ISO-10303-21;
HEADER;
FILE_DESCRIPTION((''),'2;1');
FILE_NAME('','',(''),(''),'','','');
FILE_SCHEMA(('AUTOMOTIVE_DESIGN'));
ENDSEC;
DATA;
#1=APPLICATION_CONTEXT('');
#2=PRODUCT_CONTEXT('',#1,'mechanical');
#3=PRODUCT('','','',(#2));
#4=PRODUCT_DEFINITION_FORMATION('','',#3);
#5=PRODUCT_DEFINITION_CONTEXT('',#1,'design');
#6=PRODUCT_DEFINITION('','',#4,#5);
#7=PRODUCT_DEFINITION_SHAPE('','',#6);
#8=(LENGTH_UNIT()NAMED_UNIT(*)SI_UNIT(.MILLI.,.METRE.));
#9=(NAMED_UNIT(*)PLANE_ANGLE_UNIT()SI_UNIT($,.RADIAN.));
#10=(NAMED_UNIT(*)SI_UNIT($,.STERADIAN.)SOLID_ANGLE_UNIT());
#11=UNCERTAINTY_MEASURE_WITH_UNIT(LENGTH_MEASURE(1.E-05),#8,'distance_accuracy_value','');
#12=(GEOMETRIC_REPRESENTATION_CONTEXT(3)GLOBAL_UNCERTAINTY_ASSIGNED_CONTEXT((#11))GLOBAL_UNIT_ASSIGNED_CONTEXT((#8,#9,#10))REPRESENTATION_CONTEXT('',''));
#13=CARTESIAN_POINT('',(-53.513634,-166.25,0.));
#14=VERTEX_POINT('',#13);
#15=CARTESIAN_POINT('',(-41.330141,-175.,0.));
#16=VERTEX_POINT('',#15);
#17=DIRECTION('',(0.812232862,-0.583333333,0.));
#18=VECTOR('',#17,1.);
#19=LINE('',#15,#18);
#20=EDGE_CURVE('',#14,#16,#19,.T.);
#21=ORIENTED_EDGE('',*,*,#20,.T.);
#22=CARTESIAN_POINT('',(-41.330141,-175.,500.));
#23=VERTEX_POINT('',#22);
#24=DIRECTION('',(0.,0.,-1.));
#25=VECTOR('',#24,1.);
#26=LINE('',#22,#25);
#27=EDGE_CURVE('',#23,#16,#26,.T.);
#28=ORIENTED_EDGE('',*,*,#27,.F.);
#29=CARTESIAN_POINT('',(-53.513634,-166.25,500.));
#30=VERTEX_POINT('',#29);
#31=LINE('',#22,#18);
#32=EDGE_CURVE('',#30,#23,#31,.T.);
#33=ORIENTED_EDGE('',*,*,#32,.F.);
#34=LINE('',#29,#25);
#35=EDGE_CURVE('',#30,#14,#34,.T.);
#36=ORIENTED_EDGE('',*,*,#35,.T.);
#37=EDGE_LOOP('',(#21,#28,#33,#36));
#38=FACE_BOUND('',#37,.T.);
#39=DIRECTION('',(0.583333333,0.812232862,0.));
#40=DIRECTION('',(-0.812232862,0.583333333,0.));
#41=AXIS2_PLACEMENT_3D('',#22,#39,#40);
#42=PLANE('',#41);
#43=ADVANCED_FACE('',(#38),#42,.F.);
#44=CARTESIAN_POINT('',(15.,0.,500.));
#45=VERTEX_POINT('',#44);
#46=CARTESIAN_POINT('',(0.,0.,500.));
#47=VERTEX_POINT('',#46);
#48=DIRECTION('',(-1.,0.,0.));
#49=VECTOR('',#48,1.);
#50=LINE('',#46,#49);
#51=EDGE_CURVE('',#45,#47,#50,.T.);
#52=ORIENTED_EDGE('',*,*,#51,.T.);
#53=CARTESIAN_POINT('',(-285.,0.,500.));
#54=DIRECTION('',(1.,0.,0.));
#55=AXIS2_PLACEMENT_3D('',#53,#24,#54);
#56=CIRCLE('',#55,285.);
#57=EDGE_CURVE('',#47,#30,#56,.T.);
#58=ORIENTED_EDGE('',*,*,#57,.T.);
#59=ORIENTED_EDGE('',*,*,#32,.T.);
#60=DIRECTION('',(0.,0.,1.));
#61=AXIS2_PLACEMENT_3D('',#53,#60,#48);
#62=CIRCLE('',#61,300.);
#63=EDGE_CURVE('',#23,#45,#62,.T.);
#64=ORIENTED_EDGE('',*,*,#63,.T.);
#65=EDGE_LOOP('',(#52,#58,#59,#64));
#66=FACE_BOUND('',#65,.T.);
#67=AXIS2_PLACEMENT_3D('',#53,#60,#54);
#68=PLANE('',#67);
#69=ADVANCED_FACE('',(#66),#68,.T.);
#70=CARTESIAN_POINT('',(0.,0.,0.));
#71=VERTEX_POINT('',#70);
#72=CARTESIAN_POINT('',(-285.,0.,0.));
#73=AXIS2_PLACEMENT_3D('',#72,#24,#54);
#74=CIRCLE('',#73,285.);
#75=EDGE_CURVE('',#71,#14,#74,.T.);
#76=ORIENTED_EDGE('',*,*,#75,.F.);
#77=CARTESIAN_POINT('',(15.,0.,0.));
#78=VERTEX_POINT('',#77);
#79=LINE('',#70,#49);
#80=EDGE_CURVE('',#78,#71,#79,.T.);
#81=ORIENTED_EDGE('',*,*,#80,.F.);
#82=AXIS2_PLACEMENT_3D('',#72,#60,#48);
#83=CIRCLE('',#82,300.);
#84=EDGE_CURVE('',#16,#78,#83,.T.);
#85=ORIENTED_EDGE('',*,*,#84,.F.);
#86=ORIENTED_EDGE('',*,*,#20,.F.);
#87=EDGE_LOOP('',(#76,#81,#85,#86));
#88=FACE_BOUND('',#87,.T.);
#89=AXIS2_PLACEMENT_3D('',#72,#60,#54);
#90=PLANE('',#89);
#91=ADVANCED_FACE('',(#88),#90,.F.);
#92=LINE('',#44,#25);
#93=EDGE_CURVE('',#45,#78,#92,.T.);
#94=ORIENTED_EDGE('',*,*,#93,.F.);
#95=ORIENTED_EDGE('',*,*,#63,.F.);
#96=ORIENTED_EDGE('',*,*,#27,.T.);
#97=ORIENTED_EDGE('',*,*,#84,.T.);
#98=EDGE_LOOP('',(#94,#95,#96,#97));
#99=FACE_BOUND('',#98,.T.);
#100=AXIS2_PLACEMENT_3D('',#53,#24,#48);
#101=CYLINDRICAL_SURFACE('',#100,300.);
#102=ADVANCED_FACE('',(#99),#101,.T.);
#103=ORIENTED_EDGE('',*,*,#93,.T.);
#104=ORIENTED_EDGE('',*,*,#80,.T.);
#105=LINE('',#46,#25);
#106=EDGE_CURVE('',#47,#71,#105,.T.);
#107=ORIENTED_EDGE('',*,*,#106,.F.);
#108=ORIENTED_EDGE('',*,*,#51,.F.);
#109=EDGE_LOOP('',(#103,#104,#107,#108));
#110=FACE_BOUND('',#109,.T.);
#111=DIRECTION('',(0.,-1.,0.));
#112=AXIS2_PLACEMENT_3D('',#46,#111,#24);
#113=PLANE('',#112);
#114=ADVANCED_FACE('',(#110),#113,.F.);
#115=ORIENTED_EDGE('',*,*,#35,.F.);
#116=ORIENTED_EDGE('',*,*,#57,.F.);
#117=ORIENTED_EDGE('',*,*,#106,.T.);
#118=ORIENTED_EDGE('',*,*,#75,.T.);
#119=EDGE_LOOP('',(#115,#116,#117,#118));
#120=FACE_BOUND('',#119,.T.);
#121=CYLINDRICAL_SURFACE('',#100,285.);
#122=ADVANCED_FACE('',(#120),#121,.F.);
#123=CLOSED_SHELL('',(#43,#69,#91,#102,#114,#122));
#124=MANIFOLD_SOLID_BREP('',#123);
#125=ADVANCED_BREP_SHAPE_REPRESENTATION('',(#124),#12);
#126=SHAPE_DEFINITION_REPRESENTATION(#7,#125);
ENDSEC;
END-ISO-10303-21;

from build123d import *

# Parameters (mm, degrees)
BOSS_EXTRUDE1_DEPTH = 500


with BuildPart() as part:
    # Sketch1 → Boss-Extrude1 (new body)
    with BuildSketch(Plane.XY):
        with BuildLine():
            Line((0, 0), (15, 0))
            ThreePointArc((15, 0), (0.570444537, -91.921277227), (-41.33014138, -175))
            Line((-41.33014138, -175), (-53.513634311, -166.25))
            ThreePointArc((-53.513634311, -166.25), (-13.70807769, -87.325213365), (0, 0))
        make_face()
    extrude(amount=BOSS_EXTRUDE1_DEPTH)


solid = part.part
